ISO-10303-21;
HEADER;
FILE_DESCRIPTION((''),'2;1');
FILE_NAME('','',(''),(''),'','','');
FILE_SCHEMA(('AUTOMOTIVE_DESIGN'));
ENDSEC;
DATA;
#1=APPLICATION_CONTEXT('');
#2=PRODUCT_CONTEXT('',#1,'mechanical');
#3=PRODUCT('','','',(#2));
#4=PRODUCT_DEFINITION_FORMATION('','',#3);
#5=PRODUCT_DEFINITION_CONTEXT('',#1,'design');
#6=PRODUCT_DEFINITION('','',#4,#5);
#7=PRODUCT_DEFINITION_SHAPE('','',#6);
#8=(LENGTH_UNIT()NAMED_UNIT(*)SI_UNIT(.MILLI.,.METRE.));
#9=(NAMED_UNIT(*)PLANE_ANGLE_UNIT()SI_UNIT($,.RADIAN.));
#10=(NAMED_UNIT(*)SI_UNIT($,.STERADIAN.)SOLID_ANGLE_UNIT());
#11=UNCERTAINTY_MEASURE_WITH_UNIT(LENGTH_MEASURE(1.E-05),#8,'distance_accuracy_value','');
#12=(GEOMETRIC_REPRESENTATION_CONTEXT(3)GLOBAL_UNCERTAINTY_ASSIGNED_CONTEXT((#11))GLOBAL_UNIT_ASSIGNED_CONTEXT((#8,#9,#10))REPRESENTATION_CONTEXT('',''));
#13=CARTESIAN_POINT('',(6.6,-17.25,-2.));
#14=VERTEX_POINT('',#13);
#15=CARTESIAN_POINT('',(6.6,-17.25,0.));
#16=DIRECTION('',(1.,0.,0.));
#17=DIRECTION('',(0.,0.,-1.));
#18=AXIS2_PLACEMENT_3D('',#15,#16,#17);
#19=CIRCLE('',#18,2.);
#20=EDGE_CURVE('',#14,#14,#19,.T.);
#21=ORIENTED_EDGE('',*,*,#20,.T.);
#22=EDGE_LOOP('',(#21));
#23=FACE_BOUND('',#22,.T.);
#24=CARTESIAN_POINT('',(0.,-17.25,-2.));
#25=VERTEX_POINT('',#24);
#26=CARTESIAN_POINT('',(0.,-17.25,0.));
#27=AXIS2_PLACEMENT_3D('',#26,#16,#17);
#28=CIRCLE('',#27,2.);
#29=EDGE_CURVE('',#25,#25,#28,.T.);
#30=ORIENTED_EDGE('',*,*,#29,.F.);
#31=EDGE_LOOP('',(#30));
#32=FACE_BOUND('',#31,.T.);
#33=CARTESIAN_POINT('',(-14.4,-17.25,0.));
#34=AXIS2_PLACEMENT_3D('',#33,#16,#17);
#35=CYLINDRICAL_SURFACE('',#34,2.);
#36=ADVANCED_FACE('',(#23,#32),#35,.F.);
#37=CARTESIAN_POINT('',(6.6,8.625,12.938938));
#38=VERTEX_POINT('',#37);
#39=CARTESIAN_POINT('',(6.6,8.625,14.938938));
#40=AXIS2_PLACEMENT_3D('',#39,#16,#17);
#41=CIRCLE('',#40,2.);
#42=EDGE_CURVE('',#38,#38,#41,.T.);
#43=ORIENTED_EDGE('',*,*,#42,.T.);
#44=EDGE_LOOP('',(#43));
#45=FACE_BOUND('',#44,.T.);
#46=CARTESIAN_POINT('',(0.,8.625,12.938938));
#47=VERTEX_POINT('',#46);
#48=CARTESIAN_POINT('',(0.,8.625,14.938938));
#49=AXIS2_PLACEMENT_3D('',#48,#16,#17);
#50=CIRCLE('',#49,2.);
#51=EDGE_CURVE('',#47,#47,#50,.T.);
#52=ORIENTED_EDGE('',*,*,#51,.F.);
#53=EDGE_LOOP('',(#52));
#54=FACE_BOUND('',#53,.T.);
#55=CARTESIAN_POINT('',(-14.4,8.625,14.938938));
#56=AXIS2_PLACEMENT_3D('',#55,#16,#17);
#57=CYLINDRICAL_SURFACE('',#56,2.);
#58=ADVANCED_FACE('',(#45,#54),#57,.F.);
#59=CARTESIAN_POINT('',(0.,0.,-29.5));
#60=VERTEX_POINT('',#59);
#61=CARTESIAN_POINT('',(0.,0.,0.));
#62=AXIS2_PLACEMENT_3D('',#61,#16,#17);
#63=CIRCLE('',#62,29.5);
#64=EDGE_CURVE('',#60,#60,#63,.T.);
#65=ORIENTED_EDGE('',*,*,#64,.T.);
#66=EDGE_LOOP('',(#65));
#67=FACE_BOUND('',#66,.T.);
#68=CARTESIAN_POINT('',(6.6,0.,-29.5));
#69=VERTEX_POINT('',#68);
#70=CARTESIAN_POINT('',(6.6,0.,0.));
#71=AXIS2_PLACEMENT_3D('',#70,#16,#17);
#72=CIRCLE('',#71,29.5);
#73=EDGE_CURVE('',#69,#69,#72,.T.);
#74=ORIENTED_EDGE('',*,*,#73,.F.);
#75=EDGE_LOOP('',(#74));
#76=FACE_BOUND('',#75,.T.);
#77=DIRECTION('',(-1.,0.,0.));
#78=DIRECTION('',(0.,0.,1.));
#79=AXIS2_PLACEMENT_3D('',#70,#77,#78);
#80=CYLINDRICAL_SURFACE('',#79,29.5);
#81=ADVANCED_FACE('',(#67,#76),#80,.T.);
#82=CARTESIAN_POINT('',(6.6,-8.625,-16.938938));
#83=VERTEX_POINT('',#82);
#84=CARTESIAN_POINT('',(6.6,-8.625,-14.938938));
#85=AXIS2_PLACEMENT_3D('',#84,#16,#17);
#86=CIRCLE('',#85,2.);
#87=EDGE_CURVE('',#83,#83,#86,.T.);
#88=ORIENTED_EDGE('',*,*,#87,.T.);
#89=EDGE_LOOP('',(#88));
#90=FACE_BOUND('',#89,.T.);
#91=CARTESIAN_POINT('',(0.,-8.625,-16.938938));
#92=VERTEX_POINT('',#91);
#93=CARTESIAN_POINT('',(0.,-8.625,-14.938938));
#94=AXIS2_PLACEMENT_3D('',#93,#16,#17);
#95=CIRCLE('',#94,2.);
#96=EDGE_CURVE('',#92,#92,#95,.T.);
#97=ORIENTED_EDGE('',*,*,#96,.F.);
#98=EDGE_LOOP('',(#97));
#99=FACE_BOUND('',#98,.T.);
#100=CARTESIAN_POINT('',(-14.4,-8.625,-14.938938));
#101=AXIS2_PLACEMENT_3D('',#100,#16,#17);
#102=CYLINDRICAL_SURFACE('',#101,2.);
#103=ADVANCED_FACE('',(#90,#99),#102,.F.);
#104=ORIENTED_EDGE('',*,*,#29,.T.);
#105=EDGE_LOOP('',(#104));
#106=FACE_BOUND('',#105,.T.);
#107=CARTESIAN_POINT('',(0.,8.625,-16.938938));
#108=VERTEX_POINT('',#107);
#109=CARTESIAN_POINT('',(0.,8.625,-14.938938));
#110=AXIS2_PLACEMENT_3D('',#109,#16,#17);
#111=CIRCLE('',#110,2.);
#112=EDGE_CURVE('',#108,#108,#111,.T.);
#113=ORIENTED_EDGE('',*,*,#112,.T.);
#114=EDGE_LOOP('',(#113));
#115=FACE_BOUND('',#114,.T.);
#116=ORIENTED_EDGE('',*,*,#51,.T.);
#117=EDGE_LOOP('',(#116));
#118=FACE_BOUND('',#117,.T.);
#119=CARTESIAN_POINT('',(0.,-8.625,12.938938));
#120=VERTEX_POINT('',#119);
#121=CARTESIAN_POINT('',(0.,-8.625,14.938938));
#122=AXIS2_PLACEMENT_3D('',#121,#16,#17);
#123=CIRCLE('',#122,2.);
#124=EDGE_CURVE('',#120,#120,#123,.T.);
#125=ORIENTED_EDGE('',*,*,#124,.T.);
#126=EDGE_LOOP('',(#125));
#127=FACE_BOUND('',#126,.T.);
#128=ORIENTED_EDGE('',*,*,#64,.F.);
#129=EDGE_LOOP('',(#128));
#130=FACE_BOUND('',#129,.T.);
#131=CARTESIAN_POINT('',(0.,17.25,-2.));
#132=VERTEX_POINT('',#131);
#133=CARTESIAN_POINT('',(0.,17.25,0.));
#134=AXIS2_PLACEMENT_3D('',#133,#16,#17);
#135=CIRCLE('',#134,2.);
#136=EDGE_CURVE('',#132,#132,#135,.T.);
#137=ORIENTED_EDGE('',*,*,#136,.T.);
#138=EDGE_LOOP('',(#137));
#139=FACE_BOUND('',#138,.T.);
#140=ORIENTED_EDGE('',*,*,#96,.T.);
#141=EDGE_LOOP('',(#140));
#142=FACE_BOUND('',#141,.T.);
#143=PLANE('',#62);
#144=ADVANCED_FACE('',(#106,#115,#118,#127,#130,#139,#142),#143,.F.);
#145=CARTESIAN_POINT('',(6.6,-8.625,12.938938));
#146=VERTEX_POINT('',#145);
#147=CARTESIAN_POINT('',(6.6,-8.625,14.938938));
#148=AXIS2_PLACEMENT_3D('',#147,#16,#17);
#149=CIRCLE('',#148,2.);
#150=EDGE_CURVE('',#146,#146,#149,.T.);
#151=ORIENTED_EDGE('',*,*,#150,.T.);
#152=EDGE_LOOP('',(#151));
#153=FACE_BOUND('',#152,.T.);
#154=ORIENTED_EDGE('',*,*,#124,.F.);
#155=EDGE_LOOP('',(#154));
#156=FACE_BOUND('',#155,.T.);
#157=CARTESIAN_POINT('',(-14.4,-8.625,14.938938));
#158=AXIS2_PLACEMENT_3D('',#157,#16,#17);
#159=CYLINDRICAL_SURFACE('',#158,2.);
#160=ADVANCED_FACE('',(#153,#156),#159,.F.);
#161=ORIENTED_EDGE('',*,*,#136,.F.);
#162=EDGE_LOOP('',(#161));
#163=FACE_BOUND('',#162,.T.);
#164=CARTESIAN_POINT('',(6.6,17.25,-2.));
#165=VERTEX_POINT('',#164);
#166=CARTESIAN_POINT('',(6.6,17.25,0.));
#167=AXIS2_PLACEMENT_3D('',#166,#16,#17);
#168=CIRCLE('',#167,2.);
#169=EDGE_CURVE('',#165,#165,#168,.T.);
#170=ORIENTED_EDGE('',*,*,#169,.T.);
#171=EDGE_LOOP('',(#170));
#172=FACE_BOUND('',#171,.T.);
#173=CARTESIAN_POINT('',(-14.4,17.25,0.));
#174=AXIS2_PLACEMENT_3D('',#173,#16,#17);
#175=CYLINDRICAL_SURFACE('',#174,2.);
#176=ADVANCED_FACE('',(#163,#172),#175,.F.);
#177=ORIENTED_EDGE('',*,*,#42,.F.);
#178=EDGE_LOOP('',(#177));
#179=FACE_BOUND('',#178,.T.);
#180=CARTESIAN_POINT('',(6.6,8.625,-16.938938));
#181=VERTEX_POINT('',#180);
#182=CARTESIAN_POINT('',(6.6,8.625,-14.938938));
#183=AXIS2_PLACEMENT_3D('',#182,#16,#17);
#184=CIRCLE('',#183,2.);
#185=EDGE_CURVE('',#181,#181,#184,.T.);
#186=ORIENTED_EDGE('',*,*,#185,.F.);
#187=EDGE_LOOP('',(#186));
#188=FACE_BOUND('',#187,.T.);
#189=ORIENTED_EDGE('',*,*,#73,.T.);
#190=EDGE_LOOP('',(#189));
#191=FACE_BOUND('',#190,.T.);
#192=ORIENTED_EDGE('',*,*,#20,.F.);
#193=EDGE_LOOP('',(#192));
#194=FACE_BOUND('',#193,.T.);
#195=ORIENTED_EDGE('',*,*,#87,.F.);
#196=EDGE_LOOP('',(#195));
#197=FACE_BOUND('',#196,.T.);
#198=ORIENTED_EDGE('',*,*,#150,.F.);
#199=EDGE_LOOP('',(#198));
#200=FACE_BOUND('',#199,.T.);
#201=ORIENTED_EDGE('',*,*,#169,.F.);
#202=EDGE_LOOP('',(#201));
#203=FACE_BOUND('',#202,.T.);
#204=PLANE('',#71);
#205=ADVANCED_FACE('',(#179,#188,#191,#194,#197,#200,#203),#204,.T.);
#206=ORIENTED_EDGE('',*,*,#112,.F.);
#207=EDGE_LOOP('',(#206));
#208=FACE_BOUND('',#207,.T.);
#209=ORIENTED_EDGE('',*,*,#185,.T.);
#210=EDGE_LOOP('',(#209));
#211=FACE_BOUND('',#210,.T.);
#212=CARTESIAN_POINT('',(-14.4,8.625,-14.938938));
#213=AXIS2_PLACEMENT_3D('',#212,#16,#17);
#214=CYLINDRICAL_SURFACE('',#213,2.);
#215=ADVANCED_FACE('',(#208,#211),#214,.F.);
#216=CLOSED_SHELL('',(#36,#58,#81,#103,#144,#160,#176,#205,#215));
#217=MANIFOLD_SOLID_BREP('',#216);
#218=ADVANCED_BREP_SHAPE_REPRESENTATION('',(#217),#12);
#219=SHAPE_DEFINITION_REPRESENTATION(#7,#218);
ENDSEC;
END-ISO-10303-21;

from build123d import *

# Parameters (mm, degrees)
SKETCH_1_R          = 29.5
EXTRUDE_1_DEPTH     = 6.6
SKETCH_2_R          = 2
CUT_EXTRUDE_1_DEPTH = 21


with BuildPart() as part:
    # 草图1 → 凸台-拉伸1 (new body)
    with BuildSketch(Plane(origin=(0, 0, 0), x_dir=(0, 0, -1), z_dir=(1, 0, 0))):
        Circle(SKETCH_1_R)
    extrude(amount=EXTRUDE_1_DEPTH)

    # 草图2 → 切除-拉伸1 (cut)
    with BuildSketch(Plane(origin=(6.6, 0, 0), x_dir=(0, 0, -1), z_dir=(1, 0, 0))):
        with Locations((0, 17.25)):
            Circle(SKETCH_2_R)
        with Locations((14.938938215, 8.625)):
            Circle(SKETCH_2_R)
        with Locations((14.938938215, -8.625)):
            Circle(SKETCH_2_R)
        with Locations((0, -17.25)):
            Circle(SKETCH_2_R)
        with Locations((-14.938938215, -8.625)):
            Circle(SKETCH_2_R)
        with Locations((-14.938938215, 8.625)):
            Circle(SKETCH_2_R)
    extrude(amount=-CUT_EXTRUDE_1_DEPTH, mode=Mode.SUBTRACT)


solid = part.part
